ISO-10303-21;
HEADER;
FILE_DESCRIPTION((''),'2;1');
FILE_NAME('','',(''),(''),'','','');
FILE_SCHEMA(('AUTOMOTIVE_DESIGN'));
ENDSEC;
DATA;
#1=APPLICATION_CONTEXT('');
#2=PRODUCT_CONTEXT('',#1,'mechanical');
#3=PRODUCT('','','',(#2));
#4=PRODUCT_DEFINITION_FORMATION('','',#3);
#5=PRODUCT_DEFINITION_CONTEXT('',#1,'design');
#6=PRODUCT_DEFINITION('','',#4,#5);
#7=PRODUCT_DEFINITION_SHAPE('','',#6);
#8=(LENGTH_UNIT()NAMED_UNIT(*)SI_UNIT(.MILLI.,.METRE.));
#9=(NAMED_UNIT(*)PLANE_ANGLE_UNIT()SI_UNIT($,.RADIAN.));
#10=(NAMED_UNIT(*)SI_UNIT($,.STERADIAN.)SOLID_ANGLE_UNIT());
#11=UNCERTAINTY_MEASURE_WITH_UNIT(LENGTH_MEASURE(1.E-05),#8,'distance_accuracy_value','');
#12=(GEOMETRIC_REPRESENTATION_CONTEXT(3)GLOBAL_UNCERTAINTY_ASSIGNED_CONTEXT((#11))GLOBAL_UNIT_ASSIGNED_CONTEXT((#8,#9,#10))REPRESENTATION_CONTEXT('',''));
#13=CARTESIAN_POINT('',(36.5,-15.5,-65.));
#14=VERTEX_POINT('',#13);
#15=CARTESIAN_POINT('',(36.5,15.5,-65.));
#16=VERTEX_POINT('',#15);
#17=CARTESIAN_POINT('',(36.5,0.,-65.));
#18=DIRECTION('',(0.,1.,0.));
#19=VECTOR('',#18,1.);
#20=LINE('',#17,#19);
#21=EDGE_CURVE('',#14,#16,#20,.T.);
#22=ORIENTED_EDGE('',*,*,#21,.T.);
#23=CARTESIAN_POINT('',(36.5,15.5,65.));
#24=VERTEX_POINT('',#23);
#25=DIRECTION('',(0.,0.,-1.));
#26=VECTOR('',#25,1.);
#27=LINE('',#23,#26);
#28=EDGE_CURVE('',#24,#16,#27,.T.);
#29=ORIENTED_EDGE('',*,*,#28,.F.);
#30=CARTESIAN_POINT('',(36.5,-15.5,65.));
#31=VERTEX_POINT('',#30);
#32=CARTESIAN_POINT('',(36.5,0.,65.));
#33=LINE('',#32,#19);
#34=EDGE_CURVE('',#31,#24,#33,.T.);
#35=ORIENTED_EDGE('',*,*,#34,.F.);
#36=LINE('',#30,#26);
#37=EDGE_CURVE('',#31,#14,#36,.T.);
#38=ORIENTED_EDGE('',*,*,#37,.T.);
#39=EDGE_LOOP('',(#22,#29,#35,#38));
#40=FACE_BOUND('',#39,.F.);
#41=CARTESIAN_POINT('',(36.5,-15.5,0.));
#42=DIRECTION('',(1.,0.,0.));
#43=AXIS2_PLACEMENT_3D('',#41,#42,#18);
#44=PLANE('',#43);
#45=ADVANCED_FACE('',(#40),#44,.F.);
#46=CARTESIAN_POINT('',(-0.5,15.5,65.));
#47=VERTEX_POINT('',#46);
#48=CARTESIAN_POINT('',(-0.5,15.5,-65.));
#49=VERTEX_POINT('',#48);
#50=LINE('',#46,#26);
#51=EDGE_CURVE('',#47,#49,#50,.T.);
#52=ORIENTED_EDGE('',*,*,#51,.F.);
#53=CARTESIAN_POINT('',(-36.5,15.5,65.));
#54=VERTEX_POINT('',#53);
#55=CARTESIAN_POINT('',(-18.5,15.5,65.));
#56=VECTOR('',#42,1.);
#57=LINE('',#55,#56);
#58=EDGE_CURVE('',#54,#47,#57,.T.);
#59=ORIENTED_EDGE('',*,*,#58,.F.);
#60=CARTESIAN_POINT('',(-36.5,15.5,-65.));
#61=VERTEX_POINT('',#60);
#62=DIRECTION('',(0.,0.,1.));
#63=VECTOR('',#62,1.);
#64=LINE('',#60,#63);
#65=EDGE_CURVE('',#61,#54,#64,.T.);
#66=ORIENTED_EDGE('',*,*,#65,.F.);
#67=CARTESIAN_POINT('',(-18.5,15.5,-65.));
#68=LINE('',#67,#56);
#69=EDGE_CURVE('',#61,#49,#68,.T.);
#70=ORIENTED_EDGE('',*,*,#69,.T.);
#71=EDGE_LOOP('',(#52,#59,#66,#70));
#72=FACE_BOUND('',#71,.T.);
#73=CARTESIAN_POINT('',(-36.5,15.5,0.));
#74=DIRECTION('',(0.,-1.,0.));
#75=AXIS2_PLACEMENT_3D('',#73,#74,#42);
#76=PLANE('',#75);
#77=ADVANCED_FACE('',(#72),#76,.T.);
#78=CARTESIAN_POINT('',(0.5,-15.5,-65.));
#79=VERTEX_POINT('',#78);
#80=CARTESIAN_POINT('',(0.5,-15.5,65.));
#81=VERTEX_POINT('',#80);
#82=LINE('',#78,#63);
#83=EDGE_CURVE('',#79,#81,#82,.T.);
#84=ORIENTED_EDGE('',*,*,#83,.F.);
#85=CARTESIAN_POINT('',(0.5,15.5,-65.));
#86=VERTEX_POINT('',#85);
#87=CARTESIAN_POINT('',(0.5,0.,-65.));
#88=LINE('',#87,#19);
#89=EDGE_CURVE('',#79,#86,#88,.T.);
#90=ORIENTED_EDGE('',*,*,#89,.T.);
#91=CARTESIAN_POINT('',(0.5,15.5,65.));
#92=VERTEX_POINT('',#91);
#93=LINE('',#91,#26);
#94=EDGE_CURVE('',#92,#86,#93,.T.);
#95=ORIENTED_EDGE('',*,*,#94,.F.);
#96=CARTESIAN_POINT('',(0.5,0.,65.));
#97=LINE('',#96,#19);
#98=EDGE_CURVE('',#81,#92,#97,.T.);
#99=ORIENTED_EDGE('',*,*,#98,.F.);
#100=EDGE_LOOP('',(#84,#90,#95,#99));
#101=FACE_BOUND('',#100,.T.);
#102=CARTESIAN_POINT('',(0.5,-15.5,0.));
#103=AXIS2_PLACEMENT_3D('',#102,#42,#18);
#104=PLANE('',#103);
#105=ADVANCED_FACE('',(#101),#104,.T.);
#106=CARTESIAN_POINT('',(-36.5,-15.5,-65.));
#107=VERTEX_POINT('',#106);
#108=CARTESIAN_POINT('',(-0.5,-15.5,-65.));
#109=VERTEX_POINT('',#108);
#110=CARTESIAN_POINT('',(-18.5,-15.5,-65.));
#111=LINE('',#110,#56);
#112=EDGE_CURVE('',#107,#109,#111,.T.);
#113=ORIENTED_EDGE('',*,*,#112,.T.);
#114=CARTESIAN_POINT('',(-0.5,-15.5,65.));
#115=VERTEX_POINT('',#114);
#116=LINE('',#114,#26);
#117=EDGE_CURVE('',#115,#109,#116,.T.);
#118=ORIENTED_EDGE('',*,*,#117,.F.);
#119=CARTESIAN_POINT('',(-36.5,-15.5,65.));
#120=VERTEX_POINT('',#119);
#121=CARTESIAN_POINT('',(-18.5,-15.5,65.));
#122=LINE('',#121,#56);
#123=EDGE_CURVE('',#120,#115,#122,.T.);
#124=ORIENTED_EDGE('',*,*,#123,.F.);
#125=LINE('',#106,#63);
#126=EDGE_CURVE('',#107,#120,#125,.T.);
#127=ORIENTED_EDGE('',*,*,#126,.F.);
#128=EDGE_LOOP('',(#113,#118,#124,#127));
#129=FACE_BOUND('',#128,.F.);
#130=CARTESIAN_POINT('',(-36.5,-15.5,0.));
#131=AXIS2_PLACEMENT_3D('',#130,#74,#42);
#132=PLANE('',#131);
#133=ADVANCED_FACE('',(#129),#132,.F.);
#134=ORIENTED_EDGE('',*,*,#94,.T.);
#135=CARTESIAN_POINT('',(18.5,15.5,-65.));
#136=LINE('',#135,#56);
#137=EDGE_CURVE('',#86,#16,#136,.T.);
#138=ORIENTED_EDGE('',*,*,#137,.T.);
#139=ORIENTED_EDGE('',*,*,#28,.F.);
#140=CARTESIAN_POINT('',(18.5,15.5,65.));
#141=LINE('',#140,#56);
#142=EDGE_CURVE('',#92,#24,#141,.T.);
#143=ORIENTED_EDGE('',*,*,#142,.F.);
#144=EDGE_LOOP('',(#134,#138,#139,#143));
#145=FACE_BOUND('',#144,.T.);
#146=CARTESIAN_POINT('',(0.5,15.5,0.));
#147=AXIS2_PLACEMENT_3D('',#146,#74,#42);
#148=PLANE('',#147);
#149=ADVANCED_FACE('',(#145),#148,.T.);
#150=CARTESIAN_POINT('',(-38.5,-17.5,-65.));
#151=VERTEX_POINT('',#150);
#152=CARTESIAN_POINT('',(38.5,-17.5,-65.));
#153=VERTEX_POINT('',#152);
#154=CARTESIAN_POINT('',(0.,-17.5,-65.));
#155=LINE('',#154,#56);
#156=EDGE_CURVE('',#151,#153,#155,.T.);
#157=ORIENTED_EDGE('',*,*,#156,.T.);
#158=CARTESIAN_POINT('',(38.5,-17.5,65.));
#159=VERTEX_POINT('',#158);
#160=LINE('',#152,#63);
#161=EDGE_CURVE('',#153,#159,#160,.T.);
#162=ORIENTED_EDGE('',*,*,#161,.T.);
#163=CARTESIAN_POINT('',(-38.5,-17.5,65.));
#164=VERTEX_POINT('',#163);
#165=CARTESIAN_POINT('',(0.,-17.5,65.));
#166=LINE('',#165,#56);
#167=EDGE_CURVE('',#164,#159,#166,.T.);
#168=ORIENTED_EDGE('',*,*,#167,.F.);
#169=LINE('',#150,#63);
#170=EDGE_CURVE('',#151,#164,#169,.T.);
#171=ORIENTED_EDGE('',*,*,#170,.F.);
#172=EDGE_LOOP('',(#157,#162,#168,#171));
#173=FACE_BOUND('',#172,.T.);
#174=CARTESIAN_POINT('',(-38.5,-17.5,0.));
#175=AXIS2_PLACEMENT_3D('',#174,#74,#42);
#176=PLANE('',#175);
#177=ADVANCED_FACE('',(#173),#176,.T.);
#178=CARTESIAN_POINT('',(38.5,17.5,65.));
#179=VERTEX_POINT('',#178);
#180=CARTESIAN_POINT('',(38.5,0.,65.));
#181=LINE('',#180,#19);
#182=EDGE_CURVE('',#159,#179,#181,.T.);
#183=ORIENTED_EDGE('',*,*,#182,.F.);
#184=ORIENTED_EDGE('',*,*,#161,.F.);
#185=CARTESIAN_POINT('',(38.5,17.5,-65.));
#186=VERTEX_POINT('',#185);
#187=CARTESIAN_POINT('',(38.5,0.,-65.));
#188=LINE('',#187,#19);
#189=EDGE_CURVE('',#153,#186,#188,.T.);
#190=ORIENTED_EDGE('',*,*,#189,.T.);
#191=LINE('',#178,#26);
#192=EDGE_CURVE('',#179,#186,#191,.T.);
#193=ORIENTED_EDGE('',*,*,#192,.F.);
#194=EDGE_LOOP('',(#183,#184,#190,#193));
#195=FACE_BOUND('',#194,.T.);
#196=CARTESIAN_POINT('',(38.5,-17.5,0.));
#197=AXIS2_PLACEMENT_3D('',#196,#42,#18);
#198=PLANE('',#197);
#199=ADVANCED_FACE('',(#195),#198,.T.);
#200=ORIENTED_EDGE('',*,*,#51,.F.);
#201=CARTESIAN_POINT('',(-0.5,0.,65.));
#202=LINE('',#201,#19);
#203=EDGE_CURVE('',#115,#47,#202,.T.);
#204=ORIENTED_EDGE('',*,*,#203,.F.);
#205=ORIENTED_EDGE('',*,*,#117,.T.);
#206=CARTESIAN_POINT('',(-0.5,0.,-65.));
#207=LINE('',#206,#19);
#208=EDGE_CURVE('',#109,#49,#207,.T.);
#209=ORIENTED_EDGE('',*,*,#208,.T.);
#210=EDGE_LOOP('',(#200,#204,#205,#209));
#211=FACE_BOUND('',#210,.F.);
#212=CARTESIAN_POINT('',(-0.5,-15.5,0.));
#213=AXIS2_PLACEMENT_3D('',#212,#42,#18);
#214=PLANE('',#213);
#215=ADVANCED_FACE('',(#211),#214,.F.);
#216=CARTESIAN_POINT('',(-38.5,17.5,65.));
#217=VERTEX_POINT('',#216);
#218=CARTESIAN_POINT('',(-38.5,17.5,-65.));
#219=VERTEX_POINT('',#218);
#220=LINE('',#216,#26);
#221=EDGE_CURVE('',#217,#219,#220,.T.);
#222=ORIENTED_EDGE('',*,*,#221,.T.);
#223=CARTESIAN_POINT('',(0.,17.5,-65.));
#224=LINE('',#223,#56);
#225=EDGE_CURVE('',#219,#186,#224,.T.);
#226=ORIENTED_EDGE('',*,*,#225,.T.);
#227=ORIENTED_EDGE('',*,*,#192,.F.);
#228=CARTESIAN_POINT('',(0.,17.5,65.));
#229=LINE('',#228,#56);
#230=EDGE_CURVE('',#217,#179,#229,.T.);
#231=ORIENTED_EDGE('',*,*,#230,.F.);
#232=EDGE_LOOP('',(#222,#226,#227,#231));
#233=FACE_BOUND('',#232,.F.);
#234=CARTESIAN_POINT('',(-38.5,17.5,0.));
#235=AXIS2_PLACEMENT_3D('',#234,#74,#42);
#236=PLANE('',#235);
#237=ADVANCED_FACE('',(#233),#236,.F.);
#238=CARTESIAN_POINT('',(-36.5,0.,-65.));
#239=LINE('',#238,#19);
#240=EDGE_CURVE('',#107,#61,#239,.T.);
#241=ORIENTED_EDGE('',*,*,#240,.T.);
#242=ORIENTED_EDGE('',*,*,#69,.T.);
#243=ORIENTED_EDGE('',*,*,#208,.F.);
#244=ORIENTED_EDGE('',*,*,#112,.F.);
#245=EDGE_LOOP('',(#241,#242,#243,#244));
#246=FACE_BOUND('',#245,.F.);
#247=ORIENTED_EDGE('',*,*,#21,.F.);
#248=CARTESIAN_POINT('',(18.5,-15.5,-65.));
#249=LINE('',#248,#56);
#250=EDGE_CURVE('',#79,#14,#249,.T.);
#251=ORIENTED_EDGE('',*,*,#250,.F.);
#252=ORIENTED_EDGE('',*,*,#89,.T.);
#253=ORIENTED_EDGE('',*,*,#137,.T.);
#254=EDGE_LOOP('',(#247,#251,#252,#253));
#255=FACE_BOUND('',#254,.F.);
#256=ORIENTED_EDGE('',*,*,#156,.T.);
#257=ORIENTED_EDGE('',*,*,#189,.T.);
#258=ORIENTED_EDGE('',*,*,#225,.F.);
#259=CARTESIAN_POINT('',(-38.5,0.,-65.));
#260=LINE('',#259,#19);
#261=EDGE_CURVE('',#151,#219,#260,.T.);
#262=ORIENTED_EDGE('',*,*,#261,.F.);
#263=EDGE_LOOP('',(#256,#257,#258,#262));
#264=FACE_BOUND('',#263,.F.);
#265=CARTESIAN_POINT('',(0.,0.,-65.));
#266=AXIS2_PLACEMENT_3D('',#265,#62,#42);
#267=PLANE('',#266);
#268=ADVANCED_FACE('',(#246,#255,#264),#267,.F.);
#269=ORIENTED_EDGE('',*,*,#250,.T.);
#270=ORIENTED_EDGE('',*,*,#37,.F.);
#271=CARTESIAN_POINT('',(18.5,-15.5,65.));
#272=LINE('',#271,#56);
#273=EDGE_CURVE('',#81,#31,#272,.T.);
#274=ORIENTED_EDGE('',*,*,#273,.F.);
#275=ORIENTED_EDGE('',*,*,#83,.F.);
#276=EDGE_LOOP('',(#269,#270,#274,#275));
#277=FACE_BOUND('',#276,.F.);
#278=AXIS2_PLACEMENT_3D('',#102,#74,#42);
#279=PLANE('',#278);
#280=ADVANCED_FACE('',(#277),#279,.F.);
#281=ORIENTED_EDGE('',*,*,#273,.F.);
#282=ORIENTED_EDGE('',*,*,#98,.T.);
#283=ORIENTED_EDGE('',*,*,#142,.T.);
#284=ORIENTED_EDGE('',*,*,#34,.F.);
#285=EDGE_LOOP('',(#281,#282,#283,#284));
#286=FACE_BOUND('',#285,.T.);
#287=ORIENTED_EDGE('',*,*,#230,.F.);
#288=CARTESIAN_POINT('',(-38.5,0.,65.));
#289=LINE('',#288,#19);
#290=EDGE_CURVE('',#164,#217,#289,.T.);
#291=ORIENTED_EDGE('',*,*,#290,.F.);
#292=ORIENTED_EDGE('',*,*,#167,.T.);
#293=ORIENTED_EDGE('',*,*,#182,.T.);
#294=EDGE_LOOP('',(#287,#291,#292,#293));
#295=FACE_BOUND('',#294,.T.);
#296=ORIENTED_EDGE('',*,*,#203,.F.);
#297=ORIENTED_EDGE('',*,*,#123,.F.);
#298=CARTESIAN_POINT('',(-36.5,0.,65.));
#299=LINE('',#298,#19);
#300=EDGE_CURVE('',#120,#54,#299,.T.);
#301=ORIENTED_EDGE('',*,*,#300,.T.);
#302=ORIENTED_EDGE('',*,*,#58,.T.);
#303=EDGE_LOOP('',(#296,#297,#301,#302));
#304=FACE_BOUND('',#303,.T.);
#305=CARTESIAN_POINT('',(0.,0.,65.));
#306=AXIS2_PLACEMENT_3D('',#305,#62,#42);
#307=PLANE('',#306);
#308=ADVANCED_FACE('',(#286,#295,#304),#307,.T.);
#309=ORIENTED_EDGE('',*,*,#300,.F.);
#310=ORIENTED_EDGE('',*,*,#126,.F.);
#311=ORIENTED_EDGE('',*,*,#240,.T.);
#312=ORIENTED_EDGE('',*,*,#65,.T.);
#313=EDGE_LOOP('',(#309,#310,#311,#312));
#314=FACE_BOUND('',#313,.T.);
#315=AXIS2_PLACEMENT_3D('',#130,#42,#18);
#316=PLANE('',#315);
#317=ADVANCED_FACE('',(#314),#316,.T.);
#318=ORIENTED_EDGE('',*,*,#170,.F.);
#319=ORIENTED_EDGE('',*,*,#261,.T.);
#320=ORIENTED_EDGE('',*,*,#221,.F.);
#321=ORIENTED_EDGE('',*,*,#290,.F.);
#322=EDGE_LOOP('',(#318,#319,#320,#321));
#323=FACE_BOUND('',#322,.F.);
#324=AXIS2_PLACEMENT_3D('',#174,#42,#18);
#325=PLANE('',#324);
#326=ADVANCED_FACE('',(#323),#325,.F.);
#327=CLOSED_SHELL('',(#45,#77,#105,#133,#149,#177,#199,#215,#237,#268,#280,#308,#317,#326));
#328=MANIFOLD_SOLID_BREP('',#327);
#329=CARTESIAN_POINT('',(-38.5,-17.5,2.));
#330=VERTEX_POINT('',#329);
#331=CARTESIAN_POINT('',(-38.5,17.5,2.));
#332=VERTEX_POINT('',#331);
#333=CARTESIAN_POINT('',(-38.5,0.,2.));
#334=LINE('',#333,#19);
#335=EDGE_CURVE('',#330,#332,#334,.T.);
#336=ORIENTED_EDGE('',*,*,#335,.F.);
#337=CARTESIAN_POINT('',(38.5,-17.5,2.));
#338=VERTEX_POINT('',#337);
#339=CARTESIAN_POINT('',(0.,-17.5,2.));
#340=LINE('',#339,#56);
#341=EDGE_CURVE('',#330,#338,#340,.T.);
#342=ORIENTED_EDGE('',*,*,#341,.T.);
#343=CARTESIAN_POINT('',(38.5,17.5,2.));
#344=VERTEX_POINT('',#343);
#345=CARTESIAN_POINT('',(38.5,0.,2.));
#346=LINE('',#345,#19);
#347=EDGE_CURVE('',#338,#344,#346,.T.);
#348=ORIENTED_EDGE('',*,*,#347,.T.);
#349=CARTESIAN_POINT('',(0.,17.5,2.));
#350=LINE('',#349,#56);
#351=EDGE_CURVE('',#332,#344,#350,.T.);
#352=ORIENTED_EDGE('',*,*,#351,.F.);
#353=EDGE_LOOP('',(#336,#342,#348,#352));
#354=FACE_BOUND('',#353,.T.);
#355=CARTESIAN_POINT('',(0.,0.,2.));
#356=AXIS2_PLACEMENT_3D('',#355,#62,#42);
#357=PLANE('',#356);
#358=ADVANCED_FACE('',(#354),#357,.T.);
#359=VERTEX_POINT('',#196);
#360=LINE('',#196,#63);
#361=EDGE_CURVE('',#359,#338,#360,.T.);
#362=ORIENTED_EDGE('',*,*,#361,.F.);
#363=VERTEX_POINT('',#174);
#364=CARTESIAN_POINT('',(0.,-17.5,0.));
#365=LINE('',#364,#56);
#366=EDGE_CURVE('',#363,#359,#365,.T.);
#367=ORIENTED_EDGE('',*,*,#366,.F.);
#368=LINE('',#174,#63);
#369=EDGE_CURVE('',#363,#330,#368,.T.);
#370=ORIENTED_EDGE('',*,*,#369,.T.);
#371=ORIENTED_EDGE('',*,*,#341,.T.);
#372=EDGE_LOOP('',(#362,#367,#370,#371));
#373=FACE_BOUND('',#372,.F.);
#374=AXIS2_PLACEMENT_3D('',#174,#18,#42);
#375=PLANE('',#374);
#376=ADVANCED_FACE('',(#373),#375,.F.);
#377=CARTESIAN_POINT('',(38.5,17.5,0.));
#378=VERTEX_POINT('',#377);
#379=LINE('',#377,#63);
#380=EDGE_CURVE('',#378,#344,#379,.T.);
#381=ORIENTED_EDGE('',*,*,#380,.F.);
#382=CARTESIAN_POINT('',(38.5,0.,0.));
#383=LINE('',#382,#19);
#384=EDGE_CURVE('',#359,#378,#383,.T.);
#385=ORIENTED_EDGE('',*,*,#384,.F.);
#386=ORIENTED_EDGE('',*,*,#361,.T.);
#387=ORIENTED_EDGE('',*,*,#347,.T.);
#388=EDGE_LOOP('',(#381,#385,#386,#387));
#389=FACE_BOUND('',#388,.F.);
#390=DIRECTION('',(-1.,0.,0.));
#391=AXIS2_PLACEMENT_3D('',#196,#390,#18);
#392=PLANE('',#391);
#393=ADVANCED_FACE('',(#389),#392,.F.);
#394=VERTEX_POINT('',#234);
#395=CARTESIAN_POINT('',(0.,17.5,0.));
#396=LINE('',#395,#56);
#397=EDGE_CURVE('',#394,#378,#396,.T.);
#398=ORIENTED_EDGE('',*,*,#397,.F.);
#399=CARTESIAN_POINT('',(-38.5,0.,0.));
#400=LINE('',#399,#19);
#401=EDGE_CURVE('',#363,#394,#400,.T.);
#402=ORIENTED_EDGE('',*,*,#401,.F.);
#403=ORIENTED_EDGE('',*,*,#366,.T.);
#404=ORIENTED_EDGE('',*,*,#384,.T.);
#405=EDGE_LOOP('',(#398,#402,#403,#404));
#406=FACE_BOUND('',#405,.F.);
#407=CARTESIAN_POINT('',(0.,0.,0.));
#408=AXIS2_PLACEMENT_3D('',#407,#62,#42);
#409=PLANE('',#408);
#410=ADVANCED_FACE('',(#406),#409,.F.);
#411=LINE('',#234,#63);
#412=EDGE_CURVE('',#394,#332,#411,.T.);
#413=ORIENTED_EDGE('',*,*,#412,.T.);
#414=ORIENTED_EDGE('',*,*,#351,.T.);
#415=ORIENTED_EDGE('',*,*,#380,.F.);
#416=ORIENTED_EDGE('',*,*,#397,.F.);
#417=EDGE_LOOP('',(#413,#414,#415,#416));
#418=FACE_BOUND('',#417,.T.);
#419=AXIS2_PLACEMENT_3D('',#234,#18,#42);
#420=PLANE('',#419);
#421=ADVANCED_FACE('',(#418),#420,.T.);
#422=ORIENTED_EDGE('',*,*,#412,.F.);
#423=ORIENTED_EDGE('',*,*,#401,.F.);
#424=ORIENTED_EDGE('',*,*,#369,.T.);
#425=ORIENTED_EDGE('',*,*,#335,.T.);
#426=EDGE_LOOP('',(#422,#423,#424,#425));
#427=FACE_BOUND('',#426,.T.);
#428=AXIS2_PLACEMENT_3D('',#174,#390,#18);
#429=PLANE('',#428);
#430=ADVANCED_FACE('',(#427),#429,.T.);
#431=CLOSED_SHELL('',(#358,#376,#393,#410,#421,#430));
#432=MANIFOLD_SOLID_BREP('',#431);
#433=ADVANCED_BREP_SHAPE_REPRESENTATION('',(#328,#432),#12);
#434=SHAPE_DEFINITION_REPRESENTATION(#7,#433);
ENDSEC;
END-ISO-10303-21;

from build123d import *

# Parameters (mm, degrees)
F0_W     = 77
F0_H     = 35
F0_W_2   = 36
F0_H_2   = 31
F1_DEPTH = 65
F2_DEPTH = 2


with BuildPart() as f1:
    # F0 (on Top) → F1 (new body, symmetric)
    with BuildSketch(Plane.XY):
        Rectangle(F0_W, F0_H)
        with Locations((-18.5, 0)):
            Rectangle(F0_W_2, F0_H_2, mode=Mode.SUBTRACT)
        with Locations((18.5, 0)):
            Rectangle(F0_W_2, F0_H_2, mode=Mode.SUBTRACT)
    extrude(amount=F1_DEPTH, both=True)


with BuildPart() as f2:
    # F0 (on Top) → F2 (new body)
    with BuildSketch(Plane.XY):
        Rectangle(F0_W, F0_H)
        with Locations((-18.5, 0)):
            Rectangle(F0_W_2, F0_H_2, mode=Mode.SUBTRACT)
        with Locations((18.5, 0)):
            Rectangle(F0_W_2, F0_H_2, mode=Mode.SUBTRACT)
        with Locations((18.5, 0)):
            Rectangle(F0_W_2, F0_H_2)
        with Locations((-18.5, 0)):
            Rectangle(F0_W_2, F0_H_2)
    extrude(amount=F2_DEPTH)


solid = Compound([f1.part, f2.part])
